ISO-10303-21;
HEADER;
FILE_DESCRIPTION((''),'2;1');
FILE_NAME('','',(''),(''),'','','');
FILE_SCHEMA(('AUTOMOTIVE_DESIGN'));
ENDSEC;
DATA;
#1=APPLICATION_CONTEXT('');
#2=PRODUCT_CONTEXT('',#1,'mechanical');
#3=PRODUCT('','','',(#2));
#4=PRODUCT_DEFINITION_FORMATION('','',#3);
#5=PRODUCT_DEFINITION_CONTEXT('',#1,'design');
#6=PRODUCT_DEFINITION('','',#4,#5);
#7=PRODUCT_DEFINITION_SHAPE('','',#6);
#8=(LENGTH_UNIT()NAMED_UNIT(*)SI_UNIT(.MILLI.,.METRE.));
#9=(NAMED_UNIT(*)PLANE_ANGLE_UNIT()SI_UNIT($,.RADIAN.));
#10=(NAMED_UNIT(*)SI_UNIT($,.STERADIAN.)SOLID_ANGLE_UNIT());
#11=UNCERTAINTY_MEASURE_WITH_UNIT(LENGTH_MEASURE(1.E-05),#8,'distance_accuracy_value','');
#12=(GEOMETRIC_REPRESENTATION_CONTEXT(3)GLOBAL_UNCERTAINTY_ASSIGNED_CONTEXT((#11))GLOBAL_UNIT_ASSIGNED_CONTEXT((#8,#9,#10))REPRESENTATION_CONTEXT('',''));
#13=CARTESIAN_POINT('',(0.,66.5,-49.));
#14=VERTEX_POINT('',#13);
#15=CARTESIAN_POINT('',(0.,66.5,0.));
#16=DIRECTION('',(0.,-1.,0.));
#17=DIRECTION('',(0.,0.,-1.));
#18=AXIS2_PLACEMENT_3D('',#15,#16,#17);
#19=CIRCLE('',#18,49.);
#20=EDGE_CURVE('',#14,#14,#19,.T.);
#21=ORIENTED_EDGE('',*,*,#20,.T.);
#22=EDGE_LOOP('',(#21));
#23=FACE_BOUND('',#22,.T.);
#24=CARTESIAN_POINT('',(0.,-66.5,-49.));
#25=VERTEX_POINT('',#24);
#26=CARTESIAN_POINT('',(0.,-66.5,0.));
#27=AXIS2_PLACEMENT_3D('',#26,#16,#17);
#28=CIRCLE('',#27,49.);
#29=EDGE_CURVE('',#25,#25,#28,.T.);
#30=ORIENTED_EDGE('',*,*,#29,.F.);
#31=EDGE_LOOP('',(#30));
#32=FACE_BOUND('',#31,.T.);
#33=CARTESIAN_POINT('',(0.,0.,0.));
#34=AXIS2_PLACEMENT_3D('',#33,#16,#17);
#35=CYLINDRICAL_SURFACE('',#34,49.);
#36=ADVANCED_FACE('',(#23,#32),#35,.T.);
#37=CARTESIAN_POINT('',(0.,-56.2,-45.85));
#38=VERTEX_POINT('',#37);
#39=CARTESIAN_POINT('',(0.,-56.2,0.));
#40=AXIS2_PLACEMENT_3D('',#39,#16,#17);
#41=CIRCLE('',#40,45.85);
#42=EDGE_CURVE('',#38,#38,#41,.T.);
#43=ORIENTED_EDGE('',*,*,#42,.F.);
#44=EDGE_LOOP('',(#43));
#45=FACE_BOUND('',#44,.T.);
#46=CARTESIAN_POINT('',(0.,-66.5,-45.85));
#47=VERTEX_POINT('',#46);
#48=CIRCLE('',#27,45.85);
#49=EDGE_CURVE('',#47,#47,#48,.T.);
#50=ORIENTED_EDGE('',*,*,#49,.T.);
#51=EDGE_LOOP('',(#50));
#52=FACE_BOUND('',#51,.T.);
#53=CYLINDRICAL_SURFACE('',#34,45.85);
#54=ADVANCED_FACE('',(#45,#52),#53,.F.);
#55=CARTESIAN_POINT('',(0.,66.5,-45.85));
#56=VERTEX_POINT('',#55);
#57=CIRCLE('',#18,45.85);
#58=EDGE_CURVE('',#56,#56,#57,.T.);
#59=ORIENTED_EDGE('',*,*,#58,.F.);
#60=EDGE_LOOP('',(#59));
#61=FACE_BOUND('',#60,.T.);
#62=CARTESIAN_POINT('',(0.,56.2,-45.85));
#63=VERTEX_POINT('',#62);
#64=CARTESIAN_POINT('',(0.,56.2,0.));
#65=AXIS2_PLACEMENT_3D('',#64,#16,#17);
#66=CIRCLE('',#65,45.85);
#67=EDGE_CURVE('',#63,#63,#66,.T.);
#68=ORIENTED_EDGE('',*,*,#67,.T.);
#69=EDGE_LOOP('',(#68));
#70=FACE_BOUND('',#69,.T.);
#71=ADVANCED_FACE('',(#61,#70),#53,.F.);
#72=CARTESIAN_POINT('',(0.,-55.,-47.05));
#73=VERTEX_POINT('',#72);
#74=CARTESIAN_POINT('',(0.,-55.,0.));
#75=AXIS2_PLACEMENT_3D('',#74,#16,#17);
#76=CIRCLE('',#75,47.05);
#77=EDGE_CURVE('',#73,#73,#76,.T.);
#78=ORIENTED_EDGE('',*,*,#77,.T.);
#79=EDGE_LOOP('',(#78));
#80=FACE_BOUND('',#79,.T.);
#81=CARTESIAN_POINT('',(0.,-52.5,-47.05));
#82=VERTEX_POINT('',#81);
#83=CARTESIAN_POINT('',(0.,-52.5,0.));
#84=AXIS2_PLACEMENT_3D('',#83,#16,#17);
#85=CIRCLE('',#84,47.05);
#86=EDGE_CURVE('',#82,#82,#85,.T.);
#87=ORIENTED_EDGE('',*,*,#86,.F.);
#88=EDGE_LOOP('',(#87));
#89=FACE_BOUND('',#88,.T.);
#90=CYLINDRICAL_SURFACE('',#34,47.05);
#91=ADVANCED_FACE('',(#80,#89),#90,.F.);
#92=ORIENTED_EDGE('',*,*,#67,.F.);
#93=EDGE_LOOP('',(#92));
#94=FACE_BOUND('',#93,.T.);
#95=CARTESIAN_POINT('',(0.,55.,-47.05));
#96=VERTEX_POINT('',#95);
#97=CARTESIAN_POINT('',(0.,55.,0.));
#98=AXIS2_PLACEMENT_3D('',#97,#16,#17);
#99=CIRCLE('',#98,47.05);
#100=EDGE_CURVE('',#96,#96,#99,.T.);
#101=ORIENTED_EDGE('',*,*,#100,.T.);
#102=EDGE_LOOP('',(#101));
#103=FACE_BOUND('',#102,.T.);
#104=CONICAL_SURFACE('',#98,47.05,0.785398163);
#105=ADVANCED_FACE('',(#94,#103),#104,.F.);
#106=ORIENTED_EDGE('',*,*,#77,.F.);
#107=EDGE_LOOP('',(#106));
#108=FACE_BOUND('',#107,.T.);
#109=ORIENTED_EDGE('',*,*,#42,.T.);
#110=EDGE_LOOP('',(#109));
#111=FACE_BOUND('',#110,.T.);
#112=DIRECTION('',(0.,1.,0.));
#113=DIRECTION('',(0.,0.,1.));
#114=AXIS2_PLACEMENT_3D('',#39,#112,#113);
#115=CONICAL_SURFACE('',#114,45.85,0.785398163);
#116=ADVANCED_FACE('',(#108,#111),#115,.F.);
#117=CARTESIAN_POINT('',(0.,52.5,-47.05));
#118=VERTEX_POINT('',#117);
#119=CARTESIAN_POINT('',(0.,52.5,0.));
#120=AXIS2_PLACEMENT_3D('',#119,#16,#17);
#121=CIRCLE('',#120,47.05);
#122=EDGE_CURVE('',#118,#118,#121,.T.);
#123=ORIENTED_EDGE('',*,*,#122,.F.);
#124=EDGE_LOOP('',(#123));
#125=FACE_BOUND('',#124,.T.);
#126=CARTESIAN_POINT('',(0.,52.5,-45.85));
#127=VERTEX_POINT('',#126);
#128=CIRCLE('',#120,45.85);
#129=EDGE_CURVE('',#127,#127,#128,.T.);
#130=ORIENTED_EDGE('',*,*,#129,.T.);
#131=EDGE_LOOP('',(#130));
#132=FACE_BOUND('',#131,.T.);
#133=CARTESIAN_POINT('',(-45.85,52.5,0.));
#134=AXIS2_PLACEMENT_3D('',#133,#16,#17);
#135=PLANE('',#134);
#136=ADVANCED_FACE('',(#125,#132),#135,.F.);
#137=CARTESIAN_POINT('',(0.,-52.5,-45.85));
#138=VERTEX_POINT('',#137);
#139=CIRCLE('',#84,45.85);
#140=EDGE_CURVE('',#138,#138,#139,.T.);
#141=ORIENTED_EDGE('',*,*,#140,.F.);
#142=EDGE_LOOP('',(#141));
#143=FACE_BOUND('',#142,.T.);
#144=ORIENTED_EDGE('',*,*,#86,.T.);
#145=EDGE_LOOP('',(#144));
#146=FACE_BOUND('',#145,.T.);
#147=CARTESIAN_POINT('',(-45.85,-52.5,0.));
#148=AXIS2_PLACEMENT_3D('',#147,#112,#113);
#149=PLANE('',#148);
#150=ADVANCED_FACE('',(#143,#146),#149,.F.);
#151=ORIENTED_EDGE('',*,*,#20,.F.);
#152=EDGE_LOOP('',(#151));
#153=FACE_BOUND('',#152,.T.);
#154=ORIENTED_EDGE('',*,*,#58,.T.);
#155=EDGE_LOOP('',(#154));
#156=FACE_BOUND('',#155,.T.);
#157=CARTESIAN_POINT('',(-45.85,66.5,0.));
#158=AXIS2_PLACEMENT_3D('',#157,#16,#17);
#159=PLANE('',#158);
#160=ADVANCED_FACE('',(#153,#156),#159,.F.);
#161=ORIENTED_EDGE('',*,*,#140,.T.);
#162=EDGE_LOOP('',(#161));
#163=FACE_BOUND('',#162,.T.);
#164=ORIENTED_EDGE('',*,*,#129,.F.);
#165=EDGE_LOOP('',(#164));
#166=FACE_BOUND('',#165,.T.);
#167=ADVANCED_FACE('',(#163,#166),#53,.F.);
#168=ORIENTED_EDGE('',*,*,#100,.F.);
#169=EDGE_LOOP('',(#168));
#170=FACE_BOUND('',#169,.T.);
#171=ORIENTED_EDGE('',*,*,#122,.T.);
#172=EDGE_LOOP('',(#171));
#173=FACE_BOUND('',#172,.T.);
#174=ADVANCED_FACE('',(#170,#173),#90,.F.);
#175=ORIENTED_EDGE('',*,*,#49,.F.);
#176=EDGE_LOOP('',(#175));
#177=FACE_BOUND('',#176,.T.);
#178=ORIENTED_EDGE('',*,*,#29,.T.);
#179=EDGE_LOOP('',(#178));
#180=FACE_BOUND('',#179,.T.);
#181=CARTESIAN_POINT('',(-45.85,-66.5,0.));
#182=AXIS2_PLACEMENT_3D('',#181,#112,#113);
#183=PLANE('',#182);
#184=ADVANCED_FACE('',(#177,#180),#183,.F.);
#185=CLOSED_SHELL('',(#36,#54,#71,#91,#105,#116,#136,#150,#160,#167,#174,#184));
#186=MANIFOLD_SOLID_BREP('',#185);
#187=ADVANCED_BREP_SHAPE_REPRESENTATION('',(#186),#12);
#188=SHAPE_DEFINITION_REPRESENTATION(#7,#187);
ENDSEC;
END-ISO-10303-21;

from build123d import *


with BuildPart() as part:
    # Sketch1 → Revolve1 (revolve)
    with BuildSketch(Plane.XY):
        Polygon((-45.85, -52.5), (-45.85, 52.5), (-47.05, 52.5), (-47.05, 55), (-45.85, 56.2), (-45.85, 66.5), (-49, 66.5), (-49, -66.5), (-45.85, -66.5), (-45.85, -56.2), (-47.05, -55), (-47.05, -52.5), align=None)
    revolve(axis=Axis((0, 0, 0), (0, 1, 0)))


solid = part.part
